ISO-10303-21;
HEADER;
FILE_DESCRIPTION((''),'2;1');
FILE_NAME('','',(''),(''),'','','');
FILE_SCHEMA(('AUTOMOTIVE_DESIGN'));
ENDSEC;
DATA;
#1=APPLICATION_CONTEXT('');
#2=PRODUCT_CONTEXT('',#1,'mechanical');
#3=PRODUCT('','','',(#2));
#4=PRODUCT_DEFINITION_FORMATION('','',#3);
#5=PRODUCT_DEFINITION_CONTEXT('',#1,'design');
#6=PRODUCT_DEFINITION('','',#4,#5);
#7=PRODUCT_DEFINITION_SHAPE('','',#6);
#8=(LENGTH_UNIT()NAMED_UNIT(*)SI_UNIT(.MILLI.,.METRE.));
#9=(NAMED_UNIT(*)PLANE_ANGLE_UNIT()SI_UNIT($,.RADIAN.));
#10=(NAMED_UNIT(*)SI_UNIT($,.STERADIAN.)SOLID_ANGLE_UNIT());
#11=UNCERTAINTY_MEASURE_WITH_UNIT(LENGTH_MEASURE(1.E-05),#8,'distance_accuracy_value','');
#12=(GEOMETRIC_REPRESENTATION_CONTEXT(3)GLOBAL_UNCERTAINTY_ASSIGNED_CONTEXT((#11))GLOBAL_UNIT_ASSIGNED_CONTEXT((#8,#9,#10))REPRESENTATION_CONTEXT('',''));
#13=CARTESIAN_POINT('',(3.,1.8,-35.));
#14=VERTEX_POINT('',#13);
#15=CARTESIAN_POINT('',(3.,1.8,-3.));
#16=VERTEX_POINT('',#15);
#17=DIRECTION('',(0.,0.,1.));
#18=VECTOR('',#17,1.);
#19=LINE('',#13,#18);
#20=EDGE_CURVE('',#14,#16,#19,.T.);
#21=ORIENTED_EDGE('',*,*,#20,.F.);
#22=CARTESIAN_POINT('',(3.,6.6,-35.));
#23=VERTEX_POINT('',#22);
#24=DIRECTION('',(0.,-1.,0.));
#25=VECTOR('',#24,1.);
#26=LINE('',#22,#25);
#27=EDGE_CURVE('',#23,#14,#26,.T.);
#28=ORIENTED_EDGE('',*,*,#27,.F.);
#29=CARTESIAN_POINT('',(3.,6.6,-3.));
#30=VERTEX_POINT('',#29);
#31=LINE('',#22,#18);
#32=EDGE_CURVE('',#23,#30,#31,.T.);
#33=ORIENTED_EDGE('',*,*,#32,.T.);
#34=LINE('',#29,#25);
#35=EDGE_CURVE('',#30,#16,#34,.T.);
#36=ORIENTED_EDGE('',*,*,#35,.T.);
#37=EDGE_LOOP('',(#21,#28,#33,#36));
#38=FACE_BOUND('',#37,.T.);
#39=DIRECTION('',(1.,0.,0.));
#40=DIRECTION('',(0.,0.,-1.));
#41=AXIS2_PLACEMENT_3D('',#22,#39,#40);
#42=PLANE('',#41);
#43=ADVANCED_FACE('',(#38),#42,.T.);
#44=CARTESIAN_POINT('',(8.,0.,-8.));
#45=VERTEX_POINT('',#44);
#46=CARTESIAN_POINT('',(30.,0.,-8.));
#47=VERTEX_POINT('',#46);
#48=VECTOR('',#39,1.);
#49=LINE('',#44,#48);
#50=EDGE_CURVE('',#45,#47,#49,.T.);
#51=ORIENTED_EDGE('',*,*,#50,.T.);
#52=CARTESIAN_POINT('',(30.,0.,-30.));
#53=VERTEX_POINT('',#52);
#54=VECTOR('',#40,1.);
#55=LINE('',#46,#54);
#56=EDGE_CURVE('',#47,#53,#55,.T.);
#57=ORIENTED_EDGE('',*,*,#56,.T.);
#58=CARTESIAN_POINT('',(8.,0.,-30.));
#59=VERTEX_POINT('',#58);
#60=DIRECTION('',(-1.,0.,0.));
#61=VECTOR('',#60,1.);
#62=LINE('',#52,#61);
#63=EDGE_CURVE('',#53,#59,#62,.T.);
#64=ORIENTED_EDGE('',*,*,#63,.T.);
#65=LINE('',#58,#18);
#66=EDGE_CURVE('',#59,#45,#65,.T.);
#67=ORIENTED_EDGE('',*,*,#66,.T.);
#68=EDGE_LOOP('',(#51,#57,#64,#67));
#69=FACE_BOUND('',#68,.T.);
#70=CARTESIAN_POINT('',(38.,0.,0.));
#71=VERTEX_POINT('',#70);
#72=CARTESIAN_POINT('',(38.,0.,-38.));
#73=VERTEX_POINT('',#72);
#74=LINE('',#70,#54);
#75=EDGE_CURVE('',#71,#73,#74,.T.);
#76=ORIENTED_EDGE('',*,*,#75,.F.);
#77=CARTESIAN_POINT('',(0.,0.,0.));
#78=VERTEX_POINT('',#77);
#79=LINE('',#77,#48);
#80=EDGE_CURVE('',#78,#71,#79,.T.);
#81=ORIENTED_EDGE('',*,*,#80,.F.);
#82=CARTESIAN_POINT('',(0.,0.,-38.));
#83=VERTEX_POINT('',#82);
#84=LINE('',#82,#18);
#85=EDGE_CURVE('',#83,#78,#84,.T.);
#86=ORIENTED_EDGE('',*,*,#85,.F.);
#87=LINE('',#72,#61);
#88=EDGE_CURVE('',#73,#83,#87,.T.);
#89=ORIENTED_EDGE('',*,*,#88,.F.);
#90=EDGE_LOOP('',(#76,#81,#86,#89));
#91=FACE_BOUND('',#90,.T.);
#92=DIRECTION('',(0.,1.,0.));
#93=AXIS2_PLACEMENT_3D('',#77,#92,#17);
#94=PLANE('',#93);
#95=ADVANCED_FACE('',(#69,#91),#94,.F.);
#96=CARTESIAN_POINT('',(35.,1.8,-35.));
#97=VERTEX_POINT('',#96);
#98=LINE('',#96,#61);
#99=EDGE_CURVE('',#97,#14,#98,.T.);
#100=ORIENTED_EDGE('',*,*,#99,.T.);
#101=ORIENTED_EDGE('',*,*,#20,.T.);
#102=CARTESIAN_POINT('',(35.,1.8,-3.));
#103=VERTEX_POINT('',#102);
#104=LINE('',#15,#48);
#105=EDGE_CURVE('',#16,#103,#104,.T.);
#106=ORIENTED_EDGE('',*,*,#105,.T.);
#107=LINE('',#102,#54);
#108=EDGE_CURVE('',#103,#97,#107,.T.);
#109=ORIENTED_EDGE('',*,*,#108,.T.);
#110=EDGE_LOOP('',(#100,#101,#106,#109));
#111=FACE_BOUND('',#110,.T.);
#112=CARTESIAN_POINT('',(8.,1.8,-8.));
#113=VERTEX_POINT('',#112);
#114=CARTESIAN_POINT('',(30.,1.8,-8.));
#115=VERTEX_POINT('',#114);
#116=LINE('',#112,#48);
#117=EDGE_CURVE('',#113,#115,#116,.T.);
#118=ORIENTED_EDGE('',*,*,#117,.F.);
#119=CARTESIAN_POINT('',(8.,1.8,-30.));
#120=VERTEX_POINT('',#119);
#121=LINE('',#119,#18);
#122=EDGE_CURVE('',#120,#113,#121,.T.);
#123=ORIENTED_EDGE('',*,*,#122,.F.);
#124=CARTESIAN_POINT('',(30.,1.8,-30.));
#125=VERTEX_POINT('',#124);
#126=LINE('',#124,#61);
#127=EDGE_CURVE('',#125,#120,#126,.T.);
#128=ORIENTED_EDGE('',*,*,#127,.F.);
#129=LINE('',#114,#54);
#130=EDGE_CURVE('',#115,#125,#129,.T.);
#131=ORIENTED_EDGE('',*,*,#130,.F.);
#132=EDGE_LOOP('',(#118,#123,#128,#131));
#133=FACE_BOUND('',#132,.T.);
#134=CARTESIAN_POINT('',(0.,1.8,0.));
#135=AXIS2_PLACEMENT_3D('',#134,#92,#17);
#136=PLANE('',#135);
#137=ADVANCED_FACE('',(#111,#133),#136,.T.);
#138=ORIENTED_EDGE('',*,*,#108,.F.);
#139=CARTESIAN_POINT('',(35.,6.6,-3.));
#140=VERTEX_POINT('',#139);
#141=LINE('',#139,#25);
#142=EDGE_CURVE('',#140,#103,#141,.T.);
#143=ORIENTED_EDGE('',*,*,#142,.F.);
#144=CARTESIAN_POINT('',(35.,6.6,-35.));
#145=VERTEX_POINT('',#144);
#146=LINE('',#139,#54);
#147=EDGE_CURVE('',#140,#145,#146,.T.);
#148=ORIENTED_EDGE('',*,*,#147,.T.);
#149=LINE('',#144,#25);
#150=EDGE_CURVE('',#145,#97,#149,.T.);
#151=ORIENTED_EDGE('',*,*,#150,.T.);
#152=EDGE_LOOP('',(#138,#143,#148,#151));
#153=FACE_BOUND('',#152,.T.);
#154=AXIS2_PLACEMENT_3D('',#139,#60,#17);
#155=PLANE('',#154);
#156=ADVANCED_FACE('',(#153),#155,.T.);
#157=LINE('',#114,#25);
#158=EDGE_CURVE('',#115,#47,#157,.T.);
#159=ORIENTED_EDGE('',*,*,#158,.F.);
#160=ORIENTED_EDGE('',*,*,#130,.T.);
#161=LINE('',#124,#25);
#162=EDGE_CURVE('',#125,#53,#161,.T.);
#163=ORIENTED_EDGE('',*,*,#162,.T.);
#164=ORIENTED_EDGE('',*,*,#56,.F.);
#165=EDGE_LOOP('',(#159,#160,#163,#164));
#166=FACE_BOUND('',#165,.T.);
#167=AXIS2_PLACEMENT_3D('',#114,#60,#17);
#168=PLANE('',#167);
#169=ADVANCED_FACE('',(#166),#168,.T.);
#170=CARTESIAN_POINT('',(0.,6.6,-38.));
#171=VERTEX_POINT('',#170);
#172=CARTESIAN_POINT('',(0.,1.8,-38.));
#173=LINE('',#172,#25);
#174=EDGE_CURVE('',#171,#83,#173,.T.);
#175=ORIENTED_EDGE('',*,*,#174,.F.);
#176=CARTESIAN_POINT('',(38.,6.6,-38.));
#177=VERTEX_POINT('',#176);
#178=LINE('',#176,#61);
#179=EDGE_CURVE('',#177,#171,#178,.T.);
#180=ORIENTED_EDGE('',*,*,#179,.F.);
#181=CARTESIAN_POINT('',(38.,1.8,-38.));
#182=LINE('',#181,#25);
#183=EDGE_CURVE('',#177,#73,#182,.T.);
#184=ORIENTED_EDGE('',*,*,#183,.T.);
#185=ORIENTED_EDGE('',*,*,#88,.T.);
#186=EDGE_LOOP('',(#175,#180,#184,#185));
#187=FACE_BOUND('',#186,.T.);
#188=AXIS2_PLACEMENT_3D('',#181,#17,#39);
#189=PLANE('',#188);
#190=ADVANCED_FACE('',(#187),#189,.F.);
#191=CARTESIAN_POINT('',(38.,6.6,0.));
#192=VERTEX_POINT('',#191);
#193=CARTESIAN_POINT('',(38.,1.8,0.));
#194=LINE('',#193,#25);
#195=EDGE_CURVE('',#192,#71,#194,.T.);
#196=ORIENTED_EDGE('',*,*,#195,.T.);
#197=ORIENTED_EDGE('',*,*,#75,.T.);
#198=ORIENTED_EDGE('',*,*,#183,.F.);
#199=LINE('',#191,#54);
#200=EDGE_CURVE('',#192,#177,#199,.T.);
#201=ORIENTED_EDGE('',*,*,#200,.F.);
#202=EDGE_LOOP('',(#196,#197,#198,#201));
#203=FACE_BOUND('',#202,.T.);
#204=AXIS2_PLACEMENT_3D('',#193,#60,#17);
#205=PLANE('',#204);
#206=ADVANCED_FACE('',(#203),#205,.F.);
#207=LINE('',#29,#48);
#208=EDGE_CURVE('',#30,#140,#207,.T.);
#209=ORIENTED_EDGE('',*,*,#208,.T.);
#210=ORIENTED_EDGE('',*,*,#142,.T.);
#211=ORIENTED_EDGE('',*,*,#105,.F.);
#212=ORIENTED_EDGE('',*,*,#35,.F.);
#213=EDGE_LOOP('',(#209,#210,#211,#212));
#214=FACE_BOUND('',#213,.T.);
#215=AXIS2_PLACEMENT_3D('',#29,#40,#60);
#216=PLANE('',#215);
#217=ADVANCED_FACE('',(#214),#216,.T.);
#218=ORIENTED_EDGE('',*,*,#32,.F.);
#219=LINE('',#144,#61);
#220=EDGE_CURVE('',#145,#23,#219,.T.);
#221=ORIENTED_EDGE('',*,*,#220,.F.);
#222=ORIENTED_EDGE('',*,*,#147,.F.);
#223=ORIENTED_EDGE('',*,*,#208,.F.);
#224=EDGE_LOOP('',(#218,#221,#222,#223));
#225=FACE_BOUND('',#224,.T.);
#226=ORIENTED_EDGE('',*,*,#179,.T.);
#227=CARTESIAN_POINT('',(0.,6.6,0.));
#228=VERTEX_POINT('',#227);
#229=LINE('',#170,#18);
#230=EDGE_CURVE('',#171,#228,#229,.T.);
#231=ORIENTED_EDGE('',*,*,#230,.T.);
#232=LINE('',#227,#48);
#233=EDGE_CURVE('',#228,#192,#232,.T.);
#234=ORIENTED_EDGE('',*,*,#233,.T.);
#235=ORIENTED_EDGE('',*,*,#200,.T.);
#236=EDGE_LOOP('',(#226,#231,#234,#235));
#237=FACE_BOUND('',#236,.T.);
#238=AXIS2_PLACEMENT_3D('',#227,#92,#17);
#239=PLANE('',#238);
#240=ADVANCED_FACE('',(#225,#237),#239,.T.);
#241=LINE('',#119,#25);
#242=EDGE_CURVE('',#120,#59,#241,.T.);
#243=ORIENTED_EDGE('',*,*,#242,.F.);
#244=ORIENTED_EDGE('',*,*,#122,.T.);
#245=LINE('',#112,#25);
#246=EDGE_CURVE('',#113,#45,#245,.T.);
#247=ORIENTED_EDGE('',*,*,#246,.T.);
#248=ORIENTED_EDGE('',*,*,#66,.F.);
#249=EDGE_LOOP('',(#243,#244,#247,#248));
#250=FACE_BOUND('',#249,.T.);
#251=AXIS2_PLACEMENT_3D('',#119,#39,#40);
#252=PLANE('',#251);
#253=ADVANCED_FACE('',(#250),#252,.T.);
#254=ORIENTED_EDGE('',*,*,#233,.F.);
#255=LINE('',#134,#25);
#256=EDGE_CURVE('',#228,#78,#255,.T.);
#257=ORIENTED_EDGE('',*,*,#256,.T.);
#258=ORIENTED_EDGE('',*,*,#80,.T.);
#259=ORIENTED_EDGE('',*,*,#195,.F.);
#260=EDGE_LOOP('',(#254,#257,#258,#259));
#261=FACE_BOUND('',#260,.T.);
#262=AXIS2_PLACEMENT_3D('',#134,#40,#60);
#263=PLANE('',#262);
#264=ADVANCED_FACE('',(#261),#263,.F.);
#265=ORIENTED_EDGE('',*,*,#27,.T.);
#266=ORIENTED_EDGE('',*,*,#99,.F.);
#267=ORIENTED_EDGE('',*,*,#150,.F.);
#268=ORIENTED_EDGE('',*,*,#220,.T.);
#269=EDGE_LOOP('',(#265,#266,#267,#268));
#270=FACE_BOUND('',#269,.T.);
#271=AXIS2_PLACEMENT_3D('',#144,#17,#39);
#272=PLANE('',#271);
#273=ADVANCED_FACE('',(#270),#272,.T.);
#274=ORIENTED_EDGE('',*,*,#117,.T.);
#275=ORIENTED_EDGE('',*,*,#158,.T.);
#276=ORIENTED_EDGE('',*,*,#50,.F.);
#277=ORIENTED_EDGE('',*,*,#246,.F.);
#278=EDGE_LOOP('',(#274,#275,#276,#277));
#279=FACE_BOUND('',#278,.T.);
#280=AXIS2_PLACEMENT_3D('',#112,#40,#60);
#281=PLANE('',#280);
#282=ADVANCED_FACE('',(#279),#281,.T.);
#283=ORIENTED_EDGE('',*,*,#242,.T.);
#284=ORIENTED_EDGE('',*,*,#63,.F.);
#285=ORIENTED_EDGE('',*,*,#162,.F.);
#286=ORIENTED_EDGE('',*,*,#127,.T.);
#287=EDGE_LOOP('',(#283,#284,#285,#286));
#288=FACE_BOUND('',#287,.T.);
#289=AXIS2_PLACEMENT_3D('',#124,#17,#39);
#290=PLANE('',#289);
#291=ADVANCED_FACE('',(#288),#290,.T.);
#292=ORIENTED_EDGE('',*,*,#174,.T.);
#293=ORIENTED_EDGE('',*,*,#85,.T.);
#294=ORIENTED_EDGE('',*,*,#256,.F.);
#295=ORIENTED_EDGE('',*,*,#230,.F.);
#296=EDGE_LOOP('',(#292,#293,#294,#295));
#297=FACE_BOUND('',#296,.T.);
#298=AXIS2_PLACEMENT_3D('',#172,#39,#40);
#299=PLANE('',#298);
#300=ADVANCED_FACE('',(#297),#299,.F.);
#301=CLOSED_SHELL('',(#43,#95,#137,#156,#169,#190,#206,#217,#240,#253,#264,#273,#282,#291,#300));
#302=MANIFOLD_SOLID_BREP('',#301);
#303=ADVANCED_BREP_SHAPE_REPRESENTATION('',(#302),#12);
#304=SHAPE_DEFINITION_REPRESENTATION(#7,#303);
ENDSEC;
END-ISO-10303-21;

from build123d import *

# Parameters (mm, degrees)
SKETCH1_W           = 38
SKETCH1_H           = 38
SKETCH1_W_2         = 22
SKETCH1_H_2         = 22
BOSS_EXTRUDE1_DEPTH = 1.8
SKETCH2_W           = 38
SKETCH2_H           = 38
SKETCH2_W_2         = 32
SKETCH2_H_2         = 32
BOSS_EXTRUDE2_DEPTH = 4.8


with BuildPart() as part:
    # Sketch1 → Boss-Extrude1 (new body)
    with BuildSketch(Plane(origin=(0, 0, 0), x_dir=(1, 0, 0), z_dir=(0, 1, 0))):
        with Locations((19, 19)):
            Rectangle(SKETCH1_W, SKETCH1_H)
        with Locations((19, 19)):
            Rectangle(SKETCH1_W_2, SKETCH1_H_2, mode=Mode.SUBTRACT)
    extrude(amount=BOSS_EXTRUDE1_DEPTH)

    # Sketch2 → Boss-Extrude2 (add)
    with BuildSketch(Plane(origin=(0, 1.8, 0), x_dir=(1, 0, 0), z_dir=(0, 1, 0))):
        with Locations((19, 19)):
            Rectangle(SKETCH2_W, SKETCH2_H)
        with Locations((19, 19)):
            Rectangle(SKETCH2_W_2, SKETCH2_H_2, mode=Mode.SUBTRACT)
    extrude(amount=BOSS_EXTRUDE2_DEPTH)


solid = part.part
